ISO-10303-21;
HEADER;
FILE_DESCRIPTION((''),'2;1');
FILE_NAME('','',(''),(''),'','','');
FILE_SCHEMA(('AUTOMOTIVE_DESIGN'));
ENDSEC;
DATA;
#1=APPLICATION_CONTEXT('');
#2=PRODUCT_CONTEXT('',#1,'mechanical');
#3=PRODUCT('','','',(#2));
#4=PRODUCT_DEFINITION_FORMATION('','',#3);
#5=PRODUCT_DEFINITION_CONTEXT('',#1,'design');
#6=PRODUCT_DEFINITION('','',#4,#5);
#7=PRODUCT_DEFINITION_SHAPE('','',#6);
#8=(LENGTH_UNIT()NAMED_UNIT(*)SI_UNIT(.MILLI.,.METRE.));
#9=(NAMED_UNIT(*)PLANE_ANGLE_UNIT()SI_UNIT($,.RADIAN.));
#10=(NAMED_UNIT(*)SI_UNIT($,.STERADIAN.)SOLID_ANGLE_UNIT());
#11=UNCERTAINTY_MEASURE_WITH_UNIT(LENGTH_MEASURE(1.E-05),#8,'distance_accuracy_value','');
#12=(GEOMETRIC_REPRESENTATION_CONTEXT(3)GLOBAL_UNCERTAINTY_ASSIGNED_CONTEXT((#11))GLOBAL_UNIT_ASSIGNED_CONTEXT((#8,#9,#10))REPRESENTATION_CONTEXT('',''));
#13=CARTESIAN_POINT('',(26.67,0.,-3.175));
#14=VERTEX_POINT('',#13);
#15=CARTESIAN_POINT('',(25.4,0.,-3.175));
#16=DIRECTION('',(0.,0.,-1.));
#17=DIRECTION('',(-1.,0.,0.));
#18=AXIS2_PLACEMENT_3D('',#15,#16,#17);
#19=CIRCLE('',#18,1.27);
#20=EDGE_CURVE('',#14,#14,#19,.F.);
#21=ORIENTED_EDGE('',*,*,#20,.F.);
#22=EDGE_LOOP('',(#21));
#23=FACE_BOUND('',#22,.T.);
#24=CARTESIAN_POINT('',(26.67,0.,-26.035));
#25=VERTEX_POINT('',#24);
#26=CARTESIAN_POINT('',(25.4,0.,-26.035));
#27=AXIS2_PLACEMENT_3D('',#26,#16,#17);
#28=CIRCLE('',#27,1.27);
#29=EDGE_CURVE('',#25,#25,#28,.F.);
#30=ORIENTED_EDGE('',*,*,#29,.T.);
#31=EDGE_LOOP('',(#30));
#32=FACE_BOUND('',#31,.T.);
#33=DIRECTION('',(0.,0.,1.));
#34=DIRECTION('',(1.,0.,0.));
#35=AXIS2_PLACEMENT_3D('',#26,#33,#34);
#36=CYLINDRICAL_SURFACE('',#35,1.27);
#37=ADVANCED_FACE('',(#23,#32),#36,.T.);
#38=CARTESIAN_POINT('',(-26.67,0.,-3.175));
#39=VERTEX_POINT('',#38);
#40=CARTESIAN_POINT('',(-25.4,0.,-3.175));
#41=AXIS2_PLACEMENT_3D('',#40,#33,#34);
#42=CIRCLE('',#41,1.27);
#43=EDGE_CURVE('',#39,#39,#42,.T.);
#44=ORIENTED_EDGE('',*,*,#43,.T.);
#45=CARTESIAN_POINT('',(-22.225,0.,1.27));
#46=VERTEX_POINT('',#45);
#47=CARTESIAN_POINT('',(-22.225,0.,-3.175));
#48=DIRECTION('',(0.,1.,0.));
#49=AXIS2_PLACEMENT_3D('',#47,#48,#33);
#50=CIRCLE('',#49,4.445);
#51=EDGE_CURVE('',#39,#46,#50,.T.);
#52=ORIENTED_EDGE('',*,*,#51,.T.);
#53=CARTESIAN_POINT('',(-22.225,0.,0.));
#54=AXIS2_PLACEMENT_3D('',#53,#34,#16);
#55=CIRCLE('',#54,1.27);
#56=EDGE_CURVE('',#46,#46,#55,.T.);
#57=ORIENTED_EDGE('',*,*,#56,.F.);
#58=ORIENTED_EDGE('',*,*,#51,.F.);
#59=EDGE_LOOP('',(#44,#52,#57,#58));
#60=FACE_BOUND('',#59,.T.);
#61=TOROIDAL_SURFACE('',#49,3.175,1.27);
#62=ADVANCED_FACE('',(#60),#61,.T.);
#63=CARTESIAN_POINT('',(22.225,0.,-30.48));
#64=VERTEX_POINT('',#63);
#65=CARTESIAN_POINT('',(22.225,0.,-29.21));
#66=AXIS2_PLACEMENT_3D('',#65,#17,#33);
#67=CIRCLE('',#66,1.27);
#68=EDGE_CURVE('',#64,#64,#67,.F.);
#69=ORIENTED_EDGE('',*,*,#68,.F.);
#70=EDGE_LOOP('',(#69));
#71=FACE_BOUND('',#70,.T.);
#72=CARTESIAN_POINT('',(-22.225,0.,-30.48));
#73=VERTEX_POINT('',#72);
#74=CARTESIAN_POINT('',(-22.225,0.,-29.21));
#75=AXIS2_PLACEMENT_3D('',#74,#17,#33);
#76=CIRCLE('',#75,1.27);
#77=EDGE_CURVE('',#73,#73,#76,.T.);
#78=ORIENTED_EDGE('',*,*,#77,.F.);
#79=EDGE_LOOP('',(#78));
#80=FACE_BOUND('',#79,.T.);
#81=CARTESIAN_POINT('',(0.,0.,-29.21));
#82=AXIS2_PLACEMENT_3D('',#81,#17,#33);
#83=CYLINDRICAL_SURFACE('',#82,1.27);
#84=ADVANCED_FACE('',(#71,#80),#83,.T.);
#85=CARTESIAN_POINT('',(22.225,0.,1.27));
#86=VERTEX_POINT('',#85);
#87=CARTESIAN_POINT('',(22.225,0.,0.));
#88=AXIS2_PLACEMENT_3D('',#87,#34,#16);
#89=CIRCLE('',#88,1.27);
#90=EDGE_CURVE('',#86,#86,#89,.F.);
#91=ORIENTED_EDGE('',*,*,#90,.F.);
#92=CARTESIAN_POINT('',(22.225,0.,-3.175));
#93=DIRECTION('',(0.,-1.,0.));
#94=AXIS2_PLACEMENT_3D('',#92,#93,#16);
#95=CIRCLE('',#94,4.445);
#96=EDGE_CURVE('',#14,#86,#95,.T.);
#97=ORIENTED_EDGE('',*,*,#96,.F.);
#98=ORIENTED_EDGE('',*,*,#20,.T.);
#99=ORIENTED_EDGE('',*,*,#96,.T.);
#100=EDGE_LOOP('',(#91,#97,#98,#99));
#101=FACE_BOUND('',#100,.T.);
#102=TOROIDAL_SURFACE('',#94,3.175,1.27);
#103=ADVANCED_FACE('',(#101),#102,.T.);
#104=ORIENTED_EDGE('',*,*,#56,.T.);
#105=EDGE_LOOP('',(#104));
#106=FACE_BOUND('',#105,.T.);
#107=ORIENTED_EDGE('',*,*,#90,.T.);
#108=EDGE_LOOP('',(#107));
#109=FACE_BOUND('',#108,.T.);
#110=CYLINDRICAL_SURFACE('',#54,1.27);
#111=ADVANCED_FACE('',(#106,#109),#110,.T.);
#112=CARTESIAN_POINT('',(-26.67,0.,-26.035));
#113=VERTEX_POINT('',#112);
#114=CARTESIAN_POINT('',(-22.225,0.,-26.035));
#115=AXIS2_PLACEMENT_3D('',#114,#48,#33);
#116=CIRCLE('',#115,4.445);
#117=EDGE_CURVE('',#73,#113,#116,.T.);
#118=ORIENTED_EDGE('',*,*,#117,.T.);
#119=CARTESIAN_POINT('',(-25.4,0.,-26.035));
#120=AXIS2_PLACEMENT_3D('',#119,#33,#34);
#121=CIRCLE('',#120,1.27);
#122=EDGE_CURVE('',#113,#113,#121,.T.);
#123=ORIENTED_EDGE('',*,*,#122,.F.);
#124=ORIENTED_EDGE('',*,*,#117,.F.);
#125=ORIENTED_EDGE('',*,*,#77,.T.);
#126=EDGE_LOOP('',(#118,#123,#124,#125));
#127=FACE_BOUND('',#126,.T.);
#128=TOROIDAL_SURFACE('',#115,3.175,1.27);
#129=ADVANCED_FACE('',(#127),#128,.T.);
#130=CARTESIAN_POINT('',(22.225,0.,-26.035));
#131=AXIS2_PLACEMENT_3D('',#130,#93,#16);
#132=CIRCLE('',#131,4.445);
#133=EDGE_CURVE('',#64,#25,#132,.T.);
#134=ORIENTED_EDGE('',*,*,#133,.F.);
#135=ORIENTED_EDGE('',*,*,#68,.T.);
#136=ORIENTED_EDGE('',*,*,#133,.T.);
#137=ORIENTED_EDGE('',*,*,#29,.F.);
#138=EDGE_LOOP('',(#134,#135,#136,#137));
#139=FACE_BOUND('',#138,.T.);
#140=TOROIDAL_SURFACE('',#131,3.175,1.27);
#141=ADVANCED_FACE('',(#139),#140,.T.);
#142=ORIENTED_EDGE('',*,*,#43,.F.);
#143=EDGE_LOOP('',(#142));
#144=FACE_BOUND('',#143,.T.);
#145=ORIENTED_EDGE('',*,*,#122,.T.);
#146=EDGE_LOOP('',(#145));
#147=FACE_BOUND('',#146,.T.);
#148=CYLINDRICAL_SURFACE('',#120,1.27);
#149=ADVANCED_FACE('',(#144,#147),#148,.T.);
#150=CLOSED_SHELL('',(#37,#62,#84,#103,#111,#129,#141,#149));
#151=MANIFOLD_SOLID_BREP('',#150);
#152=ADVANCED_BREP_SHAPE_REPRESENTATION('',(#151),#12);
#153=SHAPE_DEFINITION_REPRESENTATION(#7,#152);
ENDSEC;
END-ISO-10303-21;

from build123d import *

# Parameters (mm, degrees)
SWEEP3_PROFILE_R = 1.27


with BuildPart() as part:
    # Sweep3: sweep along a path in Sketch1
    with BuildLine(Plane(origin=(0, 0, 0), x_dir=(1, 0, 0), z_dir=(0, 1, 0))) as sweep3_path:
        Line((0, 0), (-22.225, 0))
        ThreePointArc((-22.225, 0), (-24.47006403, 0.92993597), (-25.4, 3.175))
        Line((-25.4, 3.175), (-25.4, 26.035))
        ThreePointArc((-25.4, 26.035), (-24.47006403, 28.28006403), (-22.225, 29.21))
        Line((-22.225, 29.21), (0, 29.21))
    # Sweep3 profile (on start of the path) → Sweep3 (sweep)
    with BuildSketch(Plane(origin=(0, 0, 0), x_dir=(0, 0, -1), z_dir=(-1, 0, 0))):
        Circle(SWEEP3_PROFILE_R)
    sweep3 = sweep(path=sweep3_path.line)

    # Mirror1: Sweep3 across plane
    add(sweep3.mirror(Plane(origin=(0, 0, 0), x_dir=(0, 0, 1), z_dir=(1, 0, 0))))


solid = part.part
